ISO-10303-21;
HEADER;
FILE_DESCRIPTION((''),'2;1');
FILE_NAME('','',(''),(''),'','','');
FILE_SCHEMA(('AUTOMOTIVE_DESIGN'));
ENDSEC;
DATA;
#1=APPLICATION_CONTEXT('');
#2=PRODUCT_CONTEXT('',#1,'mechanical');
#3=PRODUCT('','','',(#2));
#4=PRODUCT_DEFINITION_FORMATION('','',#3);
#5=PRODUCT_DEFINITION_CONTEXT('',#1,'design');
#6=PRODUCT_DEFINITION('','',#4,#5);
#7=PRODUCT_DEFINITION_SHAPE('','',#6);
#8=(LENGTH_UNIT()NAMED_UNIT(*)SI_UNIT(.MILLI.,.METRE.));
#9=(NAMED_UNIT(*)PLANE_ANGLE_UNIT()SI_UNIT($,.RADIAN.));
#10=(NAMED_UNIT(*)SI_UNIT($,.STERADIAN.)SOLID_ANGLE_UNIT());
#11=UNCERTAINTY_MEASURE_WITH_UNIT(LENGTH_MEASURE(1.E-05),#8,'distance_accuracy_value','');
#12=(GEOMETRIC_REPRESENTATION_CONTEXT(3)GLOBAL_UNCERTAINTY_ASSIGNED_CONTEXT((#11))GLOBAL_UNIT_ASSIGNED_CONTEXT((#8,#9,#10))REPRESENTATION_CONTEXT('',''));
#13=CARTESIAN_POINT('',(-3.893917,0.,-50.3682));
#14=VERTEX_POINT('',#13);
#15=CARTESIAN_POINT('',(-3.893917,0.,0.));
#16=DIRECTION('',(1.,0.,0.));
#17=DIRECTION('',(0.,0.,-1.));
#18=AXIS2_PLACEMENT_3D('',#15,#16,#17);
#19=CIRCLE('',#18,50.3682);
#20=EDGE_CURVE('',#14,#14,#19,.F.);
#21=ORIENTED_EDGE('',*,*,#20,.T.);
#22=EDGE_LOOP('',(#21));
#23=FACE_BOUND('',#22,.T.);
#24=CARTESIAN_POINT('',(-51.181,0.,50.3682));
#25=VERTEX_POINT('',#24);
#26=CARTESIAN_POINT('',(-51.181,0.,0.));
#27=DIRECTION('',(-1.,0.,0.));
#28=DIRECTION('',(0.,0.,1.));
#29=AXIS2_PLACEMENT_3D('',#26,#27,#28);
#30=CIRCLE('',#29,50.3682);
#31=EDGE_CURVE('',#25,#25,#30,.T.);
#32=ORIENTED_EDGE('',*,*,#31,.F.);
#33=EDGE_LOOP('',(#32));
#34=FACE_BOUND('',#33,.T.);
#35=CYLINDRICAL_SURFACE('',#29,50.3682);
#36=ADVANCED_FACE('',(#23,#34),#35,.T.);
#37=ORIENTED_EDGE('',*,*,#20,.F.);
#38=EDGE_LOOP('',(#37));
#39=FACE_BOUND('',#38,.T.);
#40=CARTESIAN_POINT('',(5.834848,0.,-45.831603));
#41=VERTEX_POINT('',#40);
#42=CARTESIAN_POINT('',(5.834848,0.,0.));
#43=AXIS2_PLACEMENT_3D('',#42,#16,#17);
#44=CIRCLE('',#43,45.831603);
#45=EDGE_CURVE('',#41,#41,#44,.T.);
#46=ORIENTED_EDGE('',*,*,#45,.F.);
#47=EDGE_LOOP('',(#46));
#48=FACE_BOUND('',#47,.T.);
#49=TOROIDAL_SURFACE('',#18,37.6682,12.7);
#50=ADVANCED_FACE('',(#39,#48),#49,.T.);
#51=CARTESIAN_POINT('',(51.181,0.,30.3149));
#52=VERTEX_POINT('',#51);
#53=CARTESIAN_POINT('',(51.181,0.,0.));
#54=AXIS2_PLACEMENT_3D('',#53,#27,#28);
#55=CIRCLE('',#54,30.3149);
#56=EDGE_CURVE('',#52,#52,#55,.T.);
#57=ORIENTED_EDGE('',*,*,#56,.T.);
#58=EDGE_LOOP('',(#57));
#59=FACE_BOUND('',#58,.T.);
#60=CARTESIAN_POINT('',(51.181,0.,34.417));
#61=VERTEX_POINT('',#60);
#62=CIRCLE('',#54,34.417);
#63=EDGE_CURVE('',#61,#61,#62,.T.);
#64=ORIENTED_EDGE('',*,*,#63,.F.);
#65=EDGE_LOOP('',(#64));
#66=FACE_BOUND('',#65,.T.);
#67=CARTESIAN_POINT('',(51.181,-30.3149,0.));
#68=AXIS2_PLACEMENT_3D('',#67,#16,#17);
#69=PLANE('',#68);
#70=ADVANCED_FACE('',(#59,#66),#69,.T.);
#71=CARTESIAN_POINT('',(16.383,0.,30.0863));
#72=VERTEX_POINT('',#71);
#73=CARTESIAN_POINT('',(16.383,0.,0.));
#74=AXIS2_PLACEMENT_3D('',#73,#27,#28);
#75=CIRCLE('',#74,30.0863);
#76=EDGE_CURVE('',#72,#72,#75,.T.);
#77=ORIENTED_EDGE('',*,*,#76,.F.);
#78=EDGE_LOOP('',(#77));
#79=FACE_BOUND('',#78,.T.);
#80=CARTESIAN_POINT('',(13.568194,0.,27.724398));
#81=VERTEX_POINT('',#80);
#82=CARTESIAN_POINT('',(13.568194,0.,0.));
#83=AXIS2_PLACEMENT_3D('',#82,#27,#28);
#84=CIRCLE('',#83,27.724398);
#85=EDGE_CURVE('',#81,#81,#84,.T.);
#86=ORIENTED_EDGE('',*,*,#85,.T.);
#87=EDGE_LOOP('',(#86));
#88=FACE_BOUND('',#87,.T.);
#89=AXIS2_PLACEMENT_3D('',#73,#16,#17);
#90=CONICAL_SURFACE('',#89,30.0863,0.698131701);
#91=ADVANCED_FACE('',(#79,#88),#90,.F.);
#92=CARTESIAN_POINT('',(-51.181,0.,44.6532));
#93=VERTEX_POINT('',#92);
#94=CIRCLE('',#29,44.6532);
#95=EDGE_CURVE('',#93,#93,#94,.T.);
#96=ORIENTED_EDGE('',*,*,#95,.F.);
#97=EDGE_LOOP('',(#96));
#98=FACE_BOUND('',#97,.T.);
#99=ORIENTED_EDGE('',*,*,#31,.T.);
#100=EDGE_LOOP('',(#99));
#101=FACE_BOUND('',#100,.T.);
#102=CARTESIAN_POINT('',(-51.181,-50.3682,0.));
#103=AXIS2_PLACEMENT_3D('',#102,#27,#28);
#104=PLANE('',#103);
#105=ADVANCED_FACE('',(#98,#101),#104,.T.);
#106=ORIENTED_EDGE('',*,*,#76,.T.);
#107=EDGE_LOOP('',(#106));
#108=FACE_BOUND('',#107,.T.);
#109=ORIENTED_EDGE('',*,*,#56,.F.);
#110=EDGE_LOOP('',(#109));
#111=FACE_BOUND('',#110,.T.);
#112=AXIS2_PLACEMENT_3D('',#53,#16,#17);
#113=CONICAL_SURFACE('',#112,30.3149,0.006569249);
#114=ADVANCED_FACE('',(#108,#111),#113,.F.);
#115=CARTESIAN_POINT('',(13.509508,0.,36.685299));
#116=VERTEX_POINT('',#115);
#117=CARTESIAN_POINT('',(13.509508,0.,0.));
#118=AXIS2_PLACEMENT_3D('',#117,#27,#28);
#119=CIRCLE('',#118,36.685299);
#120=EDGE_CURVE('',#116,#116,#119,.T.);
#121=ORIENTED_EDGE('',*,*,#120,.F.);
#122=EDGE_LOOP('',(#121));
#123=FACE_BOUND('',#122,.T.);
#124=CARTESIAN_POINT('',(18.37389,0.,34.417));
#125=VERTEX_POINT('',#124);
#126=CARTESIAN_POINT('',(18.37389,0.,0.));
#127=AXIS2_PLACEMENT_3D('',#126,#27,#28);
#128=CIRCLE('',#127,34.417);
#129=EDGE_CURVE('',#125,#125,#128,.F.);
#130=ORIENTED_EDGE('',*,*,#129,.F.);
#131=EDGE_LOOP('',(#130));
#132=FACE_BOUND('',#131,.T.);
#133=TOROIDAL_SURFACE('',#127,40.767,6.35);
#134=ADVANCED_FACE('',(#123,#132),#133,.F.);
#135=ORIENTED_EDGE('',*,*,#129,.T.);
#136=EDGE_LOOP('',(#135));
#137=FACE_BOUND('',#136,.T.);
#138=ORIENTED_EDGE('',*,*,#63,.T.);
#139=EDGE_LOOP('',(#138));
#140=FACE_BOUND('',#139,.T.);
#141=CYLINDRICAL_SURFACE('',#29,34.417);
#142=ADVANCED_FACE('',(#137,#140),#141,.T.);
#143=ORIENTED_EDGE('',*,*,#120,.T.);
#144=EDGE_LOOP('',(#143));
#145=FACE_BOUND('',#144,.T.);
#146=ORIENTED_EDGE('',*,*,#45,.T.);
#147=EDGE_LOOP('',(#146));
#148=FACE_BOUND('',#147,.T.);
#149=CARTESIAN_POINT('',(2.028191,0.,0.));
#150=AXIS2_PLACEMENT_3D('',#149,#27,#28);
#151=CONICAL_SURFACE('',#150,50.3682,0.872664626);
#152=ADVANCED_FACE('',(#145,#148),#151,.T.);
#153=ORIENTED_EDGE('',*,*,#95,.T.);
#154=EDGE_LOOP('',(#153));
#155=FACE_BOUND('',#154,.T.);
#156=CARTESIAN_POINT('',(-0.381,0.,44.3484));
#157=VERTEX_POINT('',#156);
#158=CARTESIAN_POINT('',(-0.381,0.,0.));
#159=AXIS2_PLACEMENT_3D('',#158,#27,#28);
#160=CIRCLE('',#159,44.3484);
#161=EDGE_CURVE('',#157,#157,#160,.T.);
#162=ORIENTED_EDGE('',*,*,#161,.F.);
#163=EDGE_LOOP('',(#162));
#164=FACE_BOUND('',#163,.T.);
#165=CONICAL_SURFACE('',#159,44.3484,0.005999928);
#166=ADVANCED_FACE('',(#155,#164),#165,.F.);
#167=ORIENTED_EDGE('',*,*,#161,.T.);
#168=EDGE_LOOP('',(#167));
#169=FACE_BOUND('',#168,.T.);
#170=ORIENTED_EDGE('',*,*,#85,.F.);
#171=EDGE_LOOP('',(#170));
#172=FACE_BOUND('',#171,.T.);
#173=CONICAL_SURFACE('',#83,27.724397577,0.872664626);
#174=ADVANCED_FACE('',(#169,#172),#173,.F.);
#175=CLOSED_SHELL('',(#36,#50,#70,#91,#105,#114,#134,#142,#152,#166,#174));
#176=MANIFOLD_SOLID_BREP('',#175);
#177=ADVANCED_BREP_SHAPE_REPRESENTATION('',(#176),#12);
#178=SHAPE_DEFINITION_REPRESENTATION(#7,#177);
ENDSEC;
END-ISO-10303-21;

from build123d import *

# Parameters (mm, degrees)
FILLET1_R = 12.7
FILLET2_R = 6.35


with BuildPart() as part:
    # Sketch1 → Revolve1 (revolve)
    with BuildSketch(Plane.XY):
        Polygon((-0.381, -44.3484), (13.568194302, -27.724397577), (16.383, -30.0863), (51.181, -30.3149), (51.181, -34.417), (15.412836736, -34.417), (2.028190699, -50.3682), (-51.181, -50.3682), (-51.181, -44.6532), align=None)
    revolve(axis=Axis((-51.181, 0, 0), (1, 0, 0)))

    # Fillet1
    fillet1_edges = [part.edges().sort_by_distance(p)[0] for p in [
        (2.028190699, 50.3682, 0),
    ]]
    fillet(fillet1_edges, radius=FILLET1_R)

    # Fillet2
    fillet2_edges = [part.edges().sort_by_distance(p)[0] for p in [
        (15.412836736, 34.417, 0),
    ]]
    fillet(fillet2_edges, radius=FILLET2_R)


solid = part.part
